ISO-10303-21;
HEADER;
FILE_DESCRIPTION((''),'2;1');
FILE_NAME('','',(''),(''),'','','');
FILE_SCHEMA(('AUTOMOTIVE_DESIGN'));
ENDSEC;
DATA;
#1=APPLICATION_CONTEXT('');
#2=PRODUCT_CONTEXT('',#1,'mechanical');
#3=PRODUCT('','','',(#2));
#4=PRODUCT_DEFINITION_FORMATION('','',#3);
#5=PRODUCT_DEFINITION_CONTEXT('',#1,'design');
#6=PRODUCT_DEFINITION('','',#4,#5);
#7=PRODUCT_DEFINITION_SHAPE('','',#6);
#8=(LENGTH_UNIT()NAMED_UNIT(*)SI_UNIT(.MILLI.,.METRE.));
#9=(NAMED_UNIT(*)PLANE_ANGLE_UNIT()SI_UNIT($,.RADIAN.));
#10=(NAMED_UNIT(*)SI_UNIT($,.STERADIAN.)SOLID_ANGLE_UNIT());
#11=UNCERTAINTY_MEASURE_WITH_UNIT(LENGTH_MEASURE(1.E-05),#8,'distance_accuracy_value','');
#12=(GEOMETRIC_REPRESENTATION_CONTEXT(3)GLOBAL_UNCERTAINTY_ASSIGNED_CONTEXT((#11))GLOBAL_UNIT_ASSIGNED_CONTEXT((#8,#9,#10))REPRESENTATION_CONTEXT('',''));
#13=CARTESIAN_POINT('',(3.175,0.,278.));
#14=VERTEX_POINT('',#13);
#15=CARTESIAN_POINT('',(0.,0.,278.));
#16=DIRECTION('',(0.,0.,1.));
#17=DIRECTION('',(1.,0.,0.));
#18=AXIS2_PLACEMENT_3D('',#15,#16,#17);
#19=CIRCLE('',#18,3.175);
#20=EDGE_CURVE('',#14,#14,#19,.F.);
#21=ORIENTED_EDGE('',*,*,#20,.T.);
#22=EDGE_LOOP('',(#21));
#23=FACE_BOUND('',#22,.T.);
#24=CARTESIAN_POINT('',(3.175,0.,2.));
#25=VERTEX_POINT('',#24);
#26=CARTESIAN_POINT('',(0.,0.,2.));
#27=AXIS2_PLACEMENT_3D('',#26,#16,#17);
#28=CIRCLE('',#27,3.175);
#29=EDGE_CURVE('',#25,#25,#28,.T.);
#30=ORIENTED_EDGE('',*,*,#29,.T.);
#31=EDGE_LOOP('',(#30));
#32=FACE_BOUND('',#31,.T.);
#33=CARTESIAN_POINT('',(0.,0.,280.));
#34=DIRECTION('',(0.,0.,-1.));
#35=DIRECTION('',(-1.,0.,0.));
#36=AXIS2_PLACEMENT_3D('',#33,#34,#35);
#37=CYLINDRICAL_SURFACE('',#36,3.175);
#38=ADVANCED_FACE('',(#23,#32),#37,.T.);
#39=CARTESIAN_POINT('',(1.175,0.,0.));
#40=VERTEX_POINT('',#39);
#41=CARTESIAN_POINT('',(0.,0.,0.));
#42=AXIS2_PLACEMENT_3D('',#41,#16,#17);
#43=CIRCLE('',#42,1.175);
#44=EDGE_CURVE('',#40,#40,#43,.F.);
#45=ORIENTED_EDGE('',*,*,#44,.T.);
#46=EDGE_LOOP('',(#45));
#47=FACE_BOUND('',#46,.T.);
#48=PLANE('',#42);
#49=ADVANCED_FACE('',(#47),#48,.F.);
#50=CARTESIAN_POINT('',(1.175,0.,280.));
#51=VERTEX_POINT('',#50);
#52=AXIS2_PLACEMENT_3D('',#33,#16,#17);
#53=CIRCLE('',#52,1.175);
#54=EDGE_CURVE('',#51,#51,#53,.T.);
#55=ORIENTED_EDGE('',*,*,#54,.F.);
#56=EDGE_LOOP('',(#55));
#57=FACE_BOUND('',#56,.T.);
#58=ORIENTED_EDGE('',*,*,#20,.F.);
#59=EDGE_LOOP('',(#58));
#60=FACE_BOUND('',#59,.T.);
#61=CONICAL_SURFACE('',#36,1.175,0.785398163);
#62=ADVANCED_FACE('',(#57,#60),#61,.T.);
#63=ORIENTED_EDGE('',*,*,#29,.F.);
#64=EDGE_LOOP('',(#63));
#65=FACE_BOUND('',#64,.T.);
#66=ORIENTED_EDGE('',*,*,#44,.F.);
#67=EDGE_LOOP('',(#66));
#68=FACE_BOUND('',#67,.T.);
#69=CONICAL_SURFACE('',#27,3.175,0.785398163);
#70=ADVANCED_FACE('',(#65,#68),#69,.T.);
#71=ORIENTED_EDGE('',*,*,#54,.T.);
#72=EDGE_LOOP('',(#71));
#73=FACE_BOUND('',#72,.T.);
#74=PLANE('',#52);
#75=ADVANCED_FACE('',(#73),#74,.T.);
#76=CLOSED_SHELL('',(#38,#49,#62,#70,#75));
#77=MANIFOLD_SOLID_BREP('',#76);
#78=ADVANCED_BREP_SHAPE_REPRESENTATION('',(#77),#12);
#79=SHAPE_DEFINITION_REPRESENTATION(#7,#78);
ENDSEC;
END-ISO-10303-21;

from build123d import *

# Parameters (mm, degrees)
SKETCH1_R           = 3.175
BOSS_EXTRUDE1_DEPTH = 280
CHAMFER1_SIZE       = 2


with BuildPart() as part:
    # Sketch1 → Boss-Extrude1 (new body)
    with BuildSketch(Plane.XY):
        Circle(SKETCH1_R)
    extrude(amount=BOSS_EXTRUDE1_DEPTH)

    # Chamfer1
    chamfer1_edges = [part.edges().sort_by_distance(p)[0] for p in [
        (-3.175, 0, 0),
        (-3.175, 0, 280),
    ]]
    chamfer(chamfer1_edges, length=CHAMFER1_SIZE)


solid = part.part
